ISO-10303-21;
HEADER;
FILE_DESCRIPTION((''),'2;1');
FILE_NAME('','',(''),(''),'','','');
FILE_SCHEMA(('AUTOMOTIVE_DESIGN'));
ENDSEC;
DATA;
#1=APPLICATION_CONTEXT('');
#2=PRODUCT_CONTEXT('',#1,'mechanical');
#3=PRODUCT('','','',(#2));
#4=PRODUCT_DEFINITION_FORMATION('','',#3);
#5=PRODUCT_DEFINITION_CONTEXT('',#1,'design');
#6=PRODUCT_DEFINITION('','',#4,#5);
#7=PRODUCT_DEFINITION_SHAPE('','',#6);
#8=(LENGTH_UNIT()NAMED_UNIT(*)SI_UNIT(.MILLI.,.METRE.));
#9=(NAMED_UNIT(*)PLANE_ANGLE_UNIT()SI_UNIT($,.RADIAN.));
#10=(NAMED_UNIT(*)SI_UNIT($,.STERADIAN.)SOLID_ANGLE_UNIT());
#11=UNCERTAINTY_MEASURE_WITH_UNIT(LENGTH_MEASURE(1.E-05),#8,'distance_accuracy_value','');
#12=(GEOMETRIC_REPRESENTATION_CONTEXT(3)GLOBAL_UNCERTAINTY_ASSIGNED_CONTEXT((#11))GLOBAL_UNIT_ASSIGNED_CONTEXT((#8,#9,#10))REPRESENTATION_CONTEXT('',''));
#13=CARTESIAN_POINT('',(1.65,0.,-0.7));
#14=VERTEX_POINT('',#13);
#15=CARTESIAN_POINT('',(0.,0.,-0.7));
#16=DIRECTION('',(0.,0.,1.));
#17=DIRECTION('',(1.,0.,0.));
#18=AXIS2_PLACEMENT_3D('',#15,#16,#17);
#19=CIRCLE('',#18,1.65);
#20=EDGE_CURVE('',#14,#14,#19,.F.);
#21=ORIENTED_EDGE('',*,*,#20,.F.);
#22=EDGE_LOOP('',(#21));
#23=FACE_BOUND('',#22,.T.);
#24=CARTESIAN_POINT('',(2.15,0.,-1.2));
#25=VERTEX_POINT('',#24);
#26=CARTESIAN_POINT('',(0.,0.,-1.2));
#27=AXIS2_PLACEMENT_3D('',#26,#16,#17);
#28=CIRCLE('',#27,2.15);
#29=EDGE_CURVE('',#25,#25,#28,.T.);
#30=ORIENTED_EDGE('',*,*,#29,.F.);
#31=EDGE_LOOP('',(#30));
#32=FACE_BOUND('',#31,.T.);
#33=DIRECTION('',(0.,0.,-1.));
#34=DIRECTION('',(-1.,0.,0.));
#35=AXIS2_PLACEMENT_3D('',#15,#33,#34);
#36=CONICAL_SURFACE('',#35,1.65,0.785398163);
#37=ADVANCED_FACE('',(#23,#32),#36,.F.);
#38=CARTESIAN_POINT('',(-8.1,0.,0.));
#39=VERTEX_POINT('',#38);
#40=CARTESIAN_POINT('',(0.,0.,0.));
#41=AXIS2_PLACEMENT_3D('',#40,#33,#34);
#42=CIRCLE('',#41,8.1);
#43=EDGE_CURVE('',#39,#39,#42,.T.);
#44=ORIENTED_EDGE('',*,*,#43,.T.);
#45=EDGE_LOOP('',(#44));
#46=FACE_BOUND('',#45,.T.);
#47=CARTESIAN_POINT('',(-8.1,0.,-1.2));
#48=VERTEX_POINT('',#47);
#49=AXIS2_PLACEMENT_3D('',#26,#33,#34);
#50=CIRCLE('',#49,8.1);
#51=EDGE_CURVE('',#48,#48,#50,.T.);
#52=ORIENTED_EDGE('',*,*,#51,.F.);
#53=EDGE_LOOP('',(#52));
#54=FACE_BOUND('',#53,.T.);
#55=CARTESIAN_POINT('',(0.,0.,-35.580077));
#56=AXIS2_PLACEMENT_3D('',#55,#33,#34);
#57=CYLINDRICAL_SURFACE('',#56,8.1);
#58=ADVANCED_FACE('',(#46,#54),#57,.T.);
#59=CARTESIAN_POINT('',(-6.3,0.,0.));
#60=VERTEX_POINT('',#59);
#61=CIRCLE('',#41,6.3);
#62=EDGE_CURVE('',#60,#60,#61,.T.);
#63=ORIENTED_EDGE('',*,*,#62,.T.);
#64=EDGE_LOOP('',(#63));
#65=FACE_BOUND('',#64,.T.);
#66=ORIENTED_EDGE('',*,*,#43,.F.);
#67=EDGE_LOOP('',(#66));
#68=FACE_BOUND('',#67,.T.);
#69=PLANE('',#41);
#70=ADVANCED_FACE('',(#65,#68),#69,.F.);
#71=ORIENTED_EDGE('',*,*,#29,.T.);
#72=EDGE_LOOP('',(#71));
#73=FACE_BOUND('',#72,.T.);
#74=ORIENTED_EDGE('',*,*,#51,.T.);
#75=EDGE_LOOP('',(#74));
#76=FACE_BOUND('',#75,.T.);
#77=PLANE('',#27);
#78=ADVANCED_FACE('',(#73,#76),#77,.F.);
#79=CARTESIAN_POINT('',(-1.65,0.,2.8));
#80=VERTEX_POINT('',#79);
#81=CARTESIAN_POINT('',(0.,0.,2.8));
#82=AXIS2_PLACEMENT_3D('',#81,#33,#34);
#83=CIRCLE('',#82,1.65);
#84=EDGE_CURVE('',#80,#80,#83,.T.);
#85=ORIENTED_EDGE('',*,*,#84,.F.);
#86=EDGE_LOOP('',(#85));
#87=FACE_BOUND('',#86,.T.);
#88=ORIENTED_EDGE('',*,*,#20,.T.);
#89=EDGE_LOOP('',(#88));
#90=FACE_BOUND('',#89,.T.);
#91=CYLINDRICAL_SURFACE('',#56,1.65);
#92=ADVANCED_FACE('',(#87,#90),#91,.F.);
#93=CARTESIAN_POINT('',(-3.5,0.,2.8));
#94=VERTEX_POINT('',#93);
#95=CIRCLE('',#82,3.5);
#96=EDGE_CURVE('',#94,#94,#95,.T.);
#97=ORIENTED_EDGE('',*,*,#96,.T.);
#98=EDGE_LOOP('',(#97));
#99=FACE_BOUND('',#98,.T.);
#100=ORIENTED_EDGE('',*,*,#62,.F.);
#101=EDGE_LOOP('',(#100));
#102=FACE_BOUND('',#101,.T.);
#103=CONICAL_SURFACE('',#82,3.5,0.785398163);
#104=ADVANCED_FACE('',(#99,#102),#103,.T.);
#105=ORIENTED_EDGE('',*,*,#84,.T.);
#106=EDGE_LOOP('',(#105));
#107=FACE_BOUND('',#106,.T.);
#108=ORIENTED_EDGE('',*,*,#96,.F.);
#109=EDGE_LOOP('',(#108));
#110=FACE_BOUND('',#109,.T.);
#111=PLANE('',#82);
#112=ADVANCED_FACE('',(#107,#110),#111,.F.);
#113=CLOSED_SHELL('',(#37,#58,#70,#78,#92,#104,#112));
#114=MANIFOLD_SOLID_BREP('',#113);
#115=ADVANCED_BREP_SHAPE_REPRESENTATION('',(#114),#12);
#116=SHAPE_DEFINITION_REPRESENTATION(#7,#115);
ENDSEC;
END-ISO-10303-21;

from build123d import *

# Parameters (mm, degrees)
CHAMFER1_SIZE = 0.5


with BuildPart() as part:
    # Sketch3 → Revolve1 (revolve)
    with BuildSketch(Plane(origin=(0, 0, 0), x_dir=(1, 0, 0), z_dir=(0, 1, 0))):
        Polygon((6.3, 0), (8.1, 0), (8.1, 1.2), (1.65, 1.2), (1.65, 0), (1.65, -2.8), (3.5, -2.8), align=None)
    revolve(axis=Axis((0, 0, -35.580076817), (0, 0, 1)))

    # Chamfer1
    chamfer1_edges = [part.edges().sort_by_distance(p)[0] for p in [
        (-1.65, 0, -1.2),
    ]]
    chamfer(chamfer1_edges, length=CHAMFER1_SIZE)


solid = part.part
